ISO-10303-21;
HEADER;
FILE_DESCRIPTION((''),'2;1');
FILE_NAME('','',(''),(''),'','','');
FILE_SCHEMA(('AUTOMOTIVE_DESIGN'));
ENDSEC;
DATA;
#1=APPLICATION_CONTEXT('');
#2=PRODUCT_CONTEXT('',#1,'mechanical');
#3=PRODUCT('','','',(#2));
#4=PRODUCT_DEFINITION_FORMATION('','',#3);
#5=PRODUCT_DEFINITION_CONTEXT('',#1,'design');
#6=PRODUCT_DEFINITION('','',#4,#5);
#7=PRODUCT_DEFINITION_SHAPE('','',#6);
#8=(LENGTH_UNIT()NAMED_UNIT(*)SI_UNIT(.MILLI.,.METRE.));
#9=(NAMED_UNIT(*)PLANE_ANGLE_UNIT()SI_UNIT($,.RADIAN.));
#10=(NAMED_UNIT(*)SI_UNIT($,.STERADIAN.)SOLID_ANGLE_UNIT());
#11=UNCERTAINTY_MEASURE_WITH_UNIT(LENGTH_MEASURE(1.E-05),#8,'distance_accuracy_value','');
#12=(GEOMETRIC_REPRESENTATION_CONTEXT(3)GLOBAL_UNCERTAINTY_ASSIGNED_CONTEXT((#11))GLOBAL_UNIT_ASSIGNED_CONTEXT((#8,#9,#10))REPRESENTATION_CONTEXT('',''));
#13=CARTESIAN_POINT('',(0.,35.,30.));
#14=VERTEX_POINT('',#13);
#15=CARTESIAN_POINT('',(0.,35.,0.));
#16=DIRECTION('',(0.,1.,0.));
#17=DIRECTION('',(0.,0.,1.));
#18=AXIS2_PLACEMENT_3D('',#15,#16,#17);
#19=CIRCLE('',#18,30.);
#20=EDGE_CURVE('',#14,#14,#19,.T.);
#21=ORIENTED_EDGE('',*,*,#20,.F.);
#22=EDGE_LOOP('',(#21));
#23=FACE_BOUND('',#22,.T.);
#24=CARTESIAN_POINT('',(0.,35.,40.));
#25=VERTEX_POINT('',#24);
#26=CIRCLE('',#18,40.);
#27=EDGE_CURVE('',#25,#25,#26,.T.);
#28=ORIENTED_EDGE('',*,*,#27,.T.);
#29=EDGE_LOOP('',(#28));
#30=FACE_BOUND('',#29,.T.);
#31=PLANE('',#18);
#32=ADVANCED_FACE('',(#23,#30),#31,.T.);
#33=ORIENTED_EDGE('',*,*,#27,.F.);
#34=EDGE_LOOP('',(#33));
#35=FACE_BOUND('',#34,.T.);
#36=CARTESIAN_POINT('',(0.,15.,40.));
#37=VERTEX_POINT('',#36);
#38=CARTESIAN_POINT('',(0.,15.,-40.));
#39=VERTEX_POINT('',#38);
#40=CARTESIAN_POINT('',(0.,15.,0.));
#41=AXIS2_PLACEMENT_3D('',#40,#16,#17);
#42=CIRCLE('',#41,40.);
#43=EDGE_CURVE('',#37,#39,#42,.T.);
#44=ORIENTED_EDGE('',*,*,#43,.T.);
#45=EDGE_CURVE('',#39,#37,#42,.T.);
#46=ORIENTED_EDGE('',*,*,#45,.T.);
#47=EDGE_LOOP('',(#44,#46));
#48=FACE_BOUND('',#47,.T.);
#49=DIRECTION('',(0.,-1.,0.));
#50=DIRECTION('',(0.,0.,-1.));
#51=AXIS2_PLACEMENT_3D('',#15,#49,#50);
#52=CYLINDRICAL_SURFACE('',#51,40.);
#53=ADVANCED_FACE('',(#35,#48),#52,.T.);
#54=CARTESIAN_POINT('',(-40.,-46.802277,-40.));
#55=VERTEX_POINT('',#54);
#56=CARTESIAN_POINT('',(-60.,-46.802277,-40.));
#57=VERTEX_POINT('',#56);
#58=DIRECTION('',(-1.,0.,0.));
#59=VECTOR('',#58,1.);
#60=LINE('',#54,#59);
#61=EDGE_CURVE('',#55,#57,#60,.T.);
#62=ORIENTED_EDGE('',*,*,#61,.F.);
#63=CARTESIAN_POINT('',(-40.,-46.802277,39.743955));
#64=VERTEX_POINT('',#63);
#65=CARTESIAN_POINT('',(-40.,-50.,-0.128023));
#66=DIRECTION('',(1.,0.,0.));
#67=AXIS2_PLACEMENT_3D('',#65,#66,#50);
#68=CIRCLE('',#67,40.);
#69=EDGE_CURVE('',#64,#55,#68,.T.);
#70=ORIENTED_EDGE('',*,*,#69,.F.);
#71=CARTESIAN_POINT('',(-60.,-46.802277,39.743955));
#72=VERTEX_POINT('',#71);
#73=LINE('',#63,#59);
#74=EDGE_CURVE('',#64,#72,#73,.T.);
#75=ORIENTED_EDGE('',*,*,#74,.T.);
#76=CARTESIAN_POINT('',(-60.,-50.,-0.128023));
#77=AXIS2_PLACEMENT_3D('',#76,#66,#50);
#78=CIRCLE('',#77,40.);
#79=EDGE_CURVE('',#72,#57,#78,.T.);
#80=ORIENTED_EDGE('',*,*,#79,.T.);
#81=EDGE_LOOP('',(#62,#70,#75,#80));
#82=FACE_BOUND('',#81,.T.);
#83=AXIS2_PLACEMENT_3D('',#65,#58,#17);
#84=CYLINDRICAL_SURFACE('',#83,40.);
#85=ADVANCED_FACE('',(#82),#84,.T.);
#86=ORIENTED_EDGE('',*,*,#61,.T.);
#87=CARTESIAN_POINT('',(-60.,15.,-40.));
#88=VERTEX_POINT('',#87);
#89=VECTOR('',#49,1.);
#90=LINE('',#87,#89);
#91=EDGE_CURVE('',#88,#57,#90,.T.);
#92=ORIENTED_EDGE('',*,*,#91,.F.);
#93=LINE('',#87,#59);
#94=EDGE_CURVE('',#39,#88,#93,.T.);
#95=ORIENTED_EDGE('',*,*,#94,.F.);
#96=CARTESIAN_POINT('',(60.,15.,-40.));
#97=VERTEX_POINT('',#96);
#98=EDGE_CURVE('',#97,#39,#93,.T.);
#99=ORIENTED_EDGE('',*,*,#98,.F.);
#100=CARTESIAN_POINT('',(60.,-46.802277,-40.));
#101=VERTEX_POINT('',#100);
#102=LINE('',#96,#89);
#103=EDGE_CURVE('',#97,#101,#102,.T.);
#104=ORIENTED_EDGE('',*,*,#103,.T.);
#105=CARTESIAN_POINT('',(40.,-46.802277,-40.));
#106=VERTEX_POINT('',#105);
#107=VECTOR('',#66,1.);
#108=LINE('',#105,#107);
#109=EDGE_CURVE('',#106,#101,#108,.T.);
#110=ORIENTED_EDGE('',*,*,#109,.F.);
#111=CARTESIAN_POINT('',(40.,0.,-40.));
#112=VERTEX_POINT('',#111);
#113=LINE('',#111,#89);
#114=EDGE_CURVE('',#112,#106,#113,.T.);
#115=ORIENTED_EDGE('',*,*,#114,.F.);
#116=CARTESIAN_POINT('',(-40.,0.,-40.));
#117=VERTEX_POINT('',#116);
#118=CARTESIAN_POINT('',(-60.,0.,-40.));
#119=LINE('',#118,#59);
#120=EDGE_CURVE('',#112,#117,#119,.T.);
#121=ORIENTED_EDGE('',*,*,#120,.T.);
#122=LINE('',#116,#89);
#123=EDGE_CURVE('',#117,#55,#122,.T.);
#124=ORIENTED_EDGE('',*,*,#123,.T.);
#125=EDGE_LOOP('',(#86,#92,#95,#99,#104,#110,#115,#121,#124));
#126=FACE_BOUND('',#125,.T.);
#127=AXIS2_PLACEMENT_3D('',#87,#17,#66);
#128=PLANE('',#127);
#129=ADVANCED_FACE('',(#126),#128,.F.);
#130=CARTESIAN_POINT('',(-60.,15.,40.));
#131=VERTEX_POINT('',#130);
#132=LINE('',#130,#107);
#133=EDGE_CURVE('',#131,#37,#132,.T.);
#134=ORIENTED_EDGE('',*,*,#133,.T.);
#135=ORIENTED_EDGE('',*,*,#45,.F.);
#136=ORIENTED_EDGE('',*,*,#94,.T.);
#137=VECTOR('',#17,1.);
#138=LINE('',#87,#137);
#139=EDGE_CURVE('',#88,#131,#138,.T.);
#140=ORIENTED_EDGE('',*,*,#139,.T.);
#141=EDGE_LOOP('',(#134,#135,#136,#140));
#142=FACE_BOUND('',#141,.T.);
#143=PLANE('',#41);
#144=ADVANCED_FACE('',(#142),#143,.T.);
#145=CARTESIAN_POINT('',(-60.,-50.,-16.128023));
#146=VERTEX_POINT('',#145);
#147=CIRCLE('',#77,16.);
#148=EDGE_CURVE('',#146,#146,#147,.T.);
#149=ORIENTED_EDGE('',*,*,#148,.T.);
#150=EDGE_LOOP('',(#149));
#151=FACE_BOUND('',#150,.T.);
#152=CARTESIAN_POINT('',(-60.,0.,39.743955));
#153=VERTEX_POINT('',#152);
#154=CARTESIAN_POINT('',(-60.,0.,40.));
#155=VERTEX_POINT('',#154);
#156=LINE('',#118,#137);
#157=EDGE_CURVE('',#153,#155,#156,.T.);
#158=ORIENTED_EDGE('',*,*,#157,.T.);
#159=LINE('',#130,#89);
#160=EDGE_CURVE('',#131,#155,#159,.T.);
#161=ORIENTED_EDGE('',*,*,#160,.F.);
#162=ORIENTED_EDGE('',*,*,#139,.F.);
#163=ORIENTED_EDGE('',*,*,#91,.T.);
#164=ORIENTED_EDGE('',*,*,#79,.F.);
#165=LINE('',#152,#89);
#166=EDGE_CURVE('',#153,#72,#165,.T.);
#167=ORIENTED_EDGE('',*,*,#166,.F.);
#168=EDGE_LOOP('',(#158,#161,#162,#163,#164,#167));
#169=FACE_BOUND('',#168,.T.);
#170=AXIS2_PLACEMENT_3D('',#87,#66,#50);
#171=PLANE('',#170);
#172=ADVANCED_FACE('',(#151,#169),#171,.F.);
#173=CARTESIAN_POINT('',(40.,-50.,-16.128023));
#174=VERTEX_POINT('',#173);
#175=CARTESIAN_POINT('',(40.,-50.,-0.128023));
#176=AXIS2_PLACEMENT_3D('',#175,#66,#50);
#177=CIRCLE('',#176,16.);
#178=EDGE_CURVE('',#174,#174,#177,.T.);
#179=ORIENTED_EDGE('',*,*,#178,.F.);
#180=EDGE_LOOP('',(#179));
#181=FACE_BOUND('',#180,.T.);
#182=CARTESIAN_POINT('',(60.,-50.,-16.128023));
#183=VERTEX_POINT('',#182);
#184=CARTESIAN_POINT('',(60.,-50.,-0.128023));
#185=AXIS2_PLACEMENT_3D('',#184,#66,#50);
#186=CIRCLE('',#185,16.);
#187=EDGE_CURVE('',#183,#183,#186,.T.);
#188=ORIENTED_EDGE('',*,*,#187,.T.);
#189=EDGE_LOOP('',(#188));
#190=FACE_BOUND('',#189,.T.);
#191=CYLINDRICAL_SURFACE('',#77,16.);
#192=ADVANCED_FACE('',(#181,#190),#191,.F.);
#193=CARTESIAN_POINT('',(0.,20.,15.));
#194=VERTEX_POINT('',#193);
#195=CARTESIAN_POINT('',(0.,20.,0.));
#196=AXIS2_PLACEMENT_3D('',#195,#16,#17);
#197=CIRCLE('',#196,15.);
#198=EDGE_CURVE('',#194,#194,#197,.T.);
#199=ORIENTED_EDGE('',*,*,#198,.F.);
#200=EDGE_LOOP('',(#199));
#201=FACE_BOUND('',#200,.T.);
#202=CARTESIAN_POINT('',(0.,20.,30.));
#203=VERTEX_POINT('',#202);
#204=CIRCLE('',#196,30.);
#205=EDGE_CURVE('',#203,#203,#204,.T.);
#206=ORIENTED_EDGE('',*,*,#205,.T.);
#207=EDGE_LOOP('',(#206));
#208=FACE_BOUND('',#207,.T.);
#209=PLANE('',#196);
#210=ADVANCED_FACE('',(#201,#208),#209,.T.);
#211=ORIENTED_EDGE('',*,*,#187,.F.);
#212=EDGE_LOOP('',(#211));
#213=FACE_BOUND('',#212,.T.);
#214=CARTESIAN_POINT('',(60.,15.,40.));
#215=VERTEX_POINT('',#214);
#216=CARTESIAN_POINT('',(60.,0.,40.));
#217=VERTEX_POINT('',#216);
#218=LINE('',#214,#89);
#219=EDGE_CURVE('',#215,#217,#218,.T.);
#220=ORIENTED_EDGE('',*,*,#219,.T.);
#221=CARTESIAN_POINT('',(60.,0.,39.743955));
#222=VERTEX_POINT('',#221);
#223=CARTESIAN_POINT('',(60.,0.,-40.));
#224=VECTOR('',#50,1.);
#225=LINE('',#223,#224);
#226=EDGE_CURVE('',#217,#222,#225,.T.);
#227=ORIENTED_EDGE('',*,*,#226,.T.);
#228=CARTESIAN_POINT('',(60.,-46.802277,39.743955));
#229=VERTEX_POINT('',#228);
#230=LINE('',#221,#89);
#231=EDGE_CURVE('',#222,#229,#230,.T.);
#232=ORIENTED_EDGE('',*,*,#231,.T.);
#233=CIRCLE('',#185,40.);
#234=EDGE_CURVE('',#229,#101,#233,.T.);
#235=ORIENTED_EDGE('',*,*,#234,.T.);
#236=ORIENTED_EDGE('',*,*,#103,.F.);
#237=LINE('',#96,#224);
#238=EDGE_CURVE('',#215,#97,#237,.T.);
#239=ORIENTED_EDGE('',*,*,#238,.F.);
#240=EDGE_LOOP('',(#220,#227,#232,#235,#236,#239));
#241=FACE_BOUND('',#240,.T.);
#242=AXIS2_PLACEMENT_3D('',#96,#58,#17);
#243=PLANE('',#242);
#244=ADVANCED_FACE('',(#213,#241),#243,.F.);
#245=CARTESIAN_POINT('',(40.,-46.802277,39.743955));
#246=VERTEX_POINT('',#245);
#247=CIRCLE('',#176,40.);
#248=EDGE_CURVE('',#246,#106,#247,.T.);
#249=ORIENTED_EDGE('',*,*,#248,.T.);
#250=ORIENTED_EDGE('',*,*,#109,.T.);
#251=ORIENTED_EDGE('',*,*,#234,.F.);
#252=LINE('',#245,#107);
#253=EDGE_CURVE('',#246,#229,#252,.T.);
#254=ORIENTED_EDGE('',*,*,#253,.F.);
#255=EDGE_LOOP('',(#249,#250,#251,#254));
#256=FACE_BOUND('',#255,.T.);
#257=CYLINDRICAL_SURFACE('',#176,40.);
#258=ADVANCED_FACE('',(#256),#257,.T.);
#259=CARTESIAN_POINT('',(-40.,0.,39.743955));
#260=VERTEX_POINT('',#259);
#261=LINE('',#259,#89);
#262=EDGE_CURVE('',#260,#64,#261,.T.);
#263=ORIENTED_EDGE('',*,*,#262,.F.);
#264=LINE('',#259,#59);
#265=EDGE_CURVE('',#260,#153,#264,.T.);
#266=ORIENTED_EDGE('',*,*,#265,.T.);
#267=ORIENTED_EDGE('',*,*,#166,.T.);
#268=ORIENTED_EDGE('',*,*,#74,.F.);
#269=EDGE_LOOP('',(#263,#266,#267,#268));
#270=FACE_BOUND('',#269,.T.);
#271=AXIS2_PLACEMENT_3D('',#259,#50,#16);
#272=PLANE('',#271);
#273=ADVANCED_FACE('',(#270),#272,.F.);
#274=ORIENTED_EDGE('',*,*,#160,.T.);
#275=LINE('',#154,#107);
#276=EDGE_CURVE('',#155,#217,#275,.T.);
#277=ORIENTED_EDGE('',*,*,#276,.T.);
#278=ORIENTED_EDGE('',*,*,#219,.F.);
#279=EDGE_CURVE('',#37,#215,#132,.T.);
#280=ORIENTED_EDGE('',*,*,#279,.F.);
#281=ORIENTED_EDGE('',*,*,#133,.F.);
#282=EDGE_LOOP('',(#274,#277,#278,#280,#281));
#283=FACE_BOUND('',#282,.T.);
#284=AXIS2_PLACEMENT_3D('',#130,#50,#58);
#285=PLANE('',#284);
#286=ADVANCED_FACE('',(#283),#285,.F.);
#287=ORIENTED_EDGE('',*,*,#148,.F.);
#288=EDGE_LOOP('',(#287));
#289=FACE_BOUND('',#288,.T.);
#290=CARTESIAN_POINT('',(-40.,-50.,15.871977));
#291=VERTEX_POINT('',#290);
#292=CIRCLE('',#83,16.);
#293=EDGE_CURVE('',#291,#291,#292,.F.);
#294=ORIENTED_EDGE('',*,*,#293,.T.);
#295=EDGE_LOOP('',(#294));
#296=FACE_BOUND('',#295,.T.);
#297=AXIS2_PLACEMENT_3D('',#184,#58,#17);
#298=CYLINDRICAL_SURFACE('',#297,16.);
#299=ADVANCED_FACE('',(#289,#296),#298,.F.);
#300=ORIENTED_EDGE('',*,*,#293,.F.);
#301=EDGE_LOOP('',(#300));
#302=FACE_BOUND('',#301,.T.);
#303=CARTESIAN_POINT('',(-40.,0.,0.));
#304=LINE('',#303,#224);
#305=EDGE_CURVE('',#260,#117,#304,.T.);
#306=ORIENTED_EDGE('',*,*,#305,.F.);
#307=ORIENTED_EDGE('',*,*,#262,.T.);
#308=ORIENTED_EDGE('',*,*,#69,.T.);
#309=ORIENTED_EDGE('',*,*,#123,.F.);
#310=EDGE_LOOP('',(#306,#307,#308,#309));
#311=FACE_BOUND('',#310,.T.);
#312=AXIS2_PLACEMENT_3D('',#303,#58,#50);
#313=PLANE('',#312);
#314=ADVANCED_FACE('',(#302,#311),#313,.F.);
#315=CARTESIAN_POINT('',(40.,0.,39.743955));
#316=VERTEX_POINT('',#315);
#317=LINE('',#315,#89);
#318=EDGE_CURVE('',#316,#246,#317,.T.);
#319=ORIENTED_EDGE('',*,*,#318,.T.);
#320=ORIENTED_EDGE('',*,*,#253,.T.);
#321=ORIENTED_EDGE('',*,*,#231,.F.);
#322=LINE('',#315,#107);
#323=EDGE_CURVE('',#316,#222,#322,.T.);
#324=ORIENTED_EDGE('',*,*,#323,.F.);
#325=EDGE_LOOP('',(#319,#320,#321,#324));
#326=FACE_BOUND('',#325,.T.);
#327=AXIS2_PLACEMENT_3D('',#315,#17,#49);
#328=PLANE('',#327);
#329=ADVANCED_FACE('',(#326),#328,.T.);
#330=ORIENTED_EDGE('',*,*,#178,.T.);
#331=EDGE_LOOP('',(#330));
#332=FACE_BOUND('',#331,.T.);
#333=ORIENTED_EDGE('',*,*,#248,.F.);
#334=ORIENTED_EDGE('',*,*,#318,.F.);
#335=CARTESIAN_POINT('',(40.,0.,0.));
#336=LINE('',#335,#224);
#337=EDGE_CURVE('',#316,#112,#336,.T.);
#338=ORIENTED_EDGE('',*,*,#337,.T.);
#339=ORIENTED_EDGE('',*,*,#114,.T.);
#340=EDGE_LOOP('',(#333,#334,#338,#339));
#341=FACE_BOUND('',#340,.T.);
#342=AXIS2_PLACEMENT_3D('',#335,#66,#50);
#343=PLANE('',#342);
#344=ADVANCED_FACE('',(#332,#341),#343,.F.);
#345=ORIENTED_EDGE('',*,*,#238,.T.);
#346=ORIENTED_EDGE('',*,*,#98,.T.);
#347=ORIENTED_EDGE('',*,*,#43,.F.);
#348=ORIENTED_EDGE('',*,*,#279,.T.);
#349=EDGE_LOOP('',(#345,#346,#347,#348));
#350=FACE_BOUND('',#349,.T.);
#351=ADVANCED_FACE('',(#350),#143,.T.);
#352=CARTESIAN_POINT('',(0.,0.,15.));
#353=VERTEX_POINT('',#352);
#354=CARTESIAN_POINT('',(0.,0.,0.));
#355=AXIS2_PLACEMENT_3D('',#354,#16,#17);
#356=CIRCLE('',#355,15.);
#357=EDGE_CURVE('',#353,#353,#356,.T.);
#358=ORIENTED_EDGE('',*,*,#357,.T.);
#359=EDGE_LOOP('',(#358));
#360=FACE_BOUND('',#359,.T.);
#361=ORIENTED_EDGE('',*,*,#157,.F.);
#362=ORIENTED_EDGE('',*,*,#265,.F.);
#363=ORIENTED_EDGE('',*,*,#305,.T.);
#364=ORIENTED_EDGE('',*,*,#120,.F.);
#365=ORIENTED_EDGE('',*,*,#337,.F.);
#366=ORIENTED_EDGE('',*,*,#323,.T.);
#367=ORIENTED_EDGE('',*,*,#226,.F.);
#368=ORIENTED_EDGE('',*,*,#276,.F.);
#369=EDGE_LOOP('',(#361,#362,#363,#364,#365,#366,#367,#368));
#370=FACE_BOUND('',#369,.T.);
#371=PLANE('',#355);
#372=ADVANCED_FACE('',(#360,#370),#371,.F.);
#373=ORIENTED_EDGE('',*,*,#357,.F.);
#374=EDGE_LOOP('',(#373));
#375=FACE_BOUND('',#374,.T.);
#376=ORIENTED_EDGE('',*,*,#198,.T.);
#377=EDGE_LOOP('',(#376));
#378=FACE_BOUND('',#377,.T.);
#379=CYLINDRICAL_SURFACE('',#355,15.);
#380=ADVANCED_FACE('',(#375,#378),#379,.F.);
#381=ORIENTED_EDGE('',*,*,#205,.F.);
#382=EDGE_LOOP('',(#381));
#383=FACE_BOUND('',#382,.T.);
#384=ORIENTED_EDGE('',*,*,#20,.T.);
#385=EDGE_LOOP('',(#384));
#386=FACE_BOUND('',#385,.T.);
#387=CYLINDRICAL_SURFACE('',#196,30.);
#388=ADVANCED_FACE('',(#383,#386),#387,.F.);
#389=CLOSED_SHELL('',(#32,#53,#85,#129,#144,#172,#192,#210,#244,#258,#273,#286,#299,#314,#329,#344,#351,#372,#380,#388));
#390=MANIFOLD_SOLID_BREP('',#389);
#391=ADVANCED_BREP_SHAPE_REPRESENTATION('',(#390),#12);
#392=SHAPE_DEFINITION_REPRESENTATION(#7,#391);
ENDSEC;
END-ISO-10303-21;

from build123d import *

# Parameters (mm, degrees)
SKETCH1_W           = 120
SKETCH1_H           = 80
BOSS_EXTRUDE1_DEPTH = 15
SKETCH2_R           = 40
BOSS_EXTRUDE2_DEPTH = 20
SKETCH3_R           = 30
CUT_EXTRUDE1_DEPTH  = 15
SKETCH4_R           = 15
CUT_EXTRUDE2_DEPTH  = 75.833147735
BOSS_EXTRUDE3_DEPTH = 20
SKETCH6_R           = 16
CUT_EXTRUDE3_DEPTH  = 156.274782914


with BuildPart() as part:
    # Sketch1 → Boss-Extrude1 (new body)
    with BuildSketch(Plane(origin=(0, 0, 0), x_dir=(1, 0, 0), z_dir=(0, 1, 0))):
        Rectangle(SKETCH1_W, SKETCH1_H)
    extrude(amount=BOSS_EXTRUDE1_DEPTH)

    # Sketch2 → Boss-Extrude2 (add)
    with BuildSketch(Plane(origin=(0, 15, 0), x_dir=(1, 0, 0), z_dir=(0, 1, 0))):
        with Locations(Location((0, 0, 0), (0, 0, 270))):
            Circle(SKETCH2_R)
    extrude(amount=BOSS_EXTRUDE2_DEPTH)

    # Sketch3 → Cut-Extrude1 (cut)
    with BuildSketch(Plane(origin=(0, 35, 0), x_dir=(1, 0, 0), z_dir=(0, 1, 0))):
        with Locations(Location((0, 0, 0), (0, 0, 270))):
            Circle(SKETCH3_R)
    extrude(amount=-CUT_EXTRUDE1_DEPTH, mode=Mode.SUBTRACT)

    # Sketch4 → Cut-Extrude2 (cut, through all)
    with BuildSketch(Plane(origin=(0, 20, 0), x_dir=(1, 0, 0), z_dir=(0, 1, 0))):
        with Locations(Location((0, 0, 0), (0, 0, 270))):
            Circle(SKETCH4_R)
    extrude(amount=-CUT_EXTRUDE2_DEPTH, mode=Mode.SUBTRACT)

    # Sketch5 → Boss-Extrude3 (add)
    with BuildSketch(Plane(origin=(60, 0, 0), x_dir=(0, 0, -1), z_dir=(1, 0, 0))):
        with BuildLine():
            Line((40, -46.802277462), (40, 0))
            Line((40, 0), (-39.743954519, 0))
            Line((-39.743954519, 0), (-39.743954519, -46.802277462))
            ThreePointArc((-39.743954519, -46.802277462), (0.128022741, -10), (40, -46.802277462))
        make_face()
        with BuildLine():
            ThreePointArc((40.128022741, -50), (40.096004241, -48.399857877), (40, -46.802277462))
            Line((40, -46.802277462), (40, -50))
            Line((40, -50), (-39.743954519, -50))
            Line((-39.743954519, -50), (-39.743954519, -46.802277462))
            ThreePointArc((-39.743954519, -46.802277462), (-1.472119382, -89.9679815), (40.128022741, -50))
        make_face()
        with BuildLine():
            Line((40, -50), (40, -46.802277462))
            ThreePointArc((40, -46.802277462), (0.128022741, -10), (-39.743954519, -46.802277462))
            Line((-39.743954519, -46.802277462), (-39.743954519, -50))
            Line((-39.743954519, -50), (40, -50))
        make_face()
    boss_extrude3 = extrude(amount=-BOSS_EXTRUDE3_DEPTH)

    # Sketch6 → Cut-Extrude3 (cut, through all)
    with BuildSketch(Plane(origin=(60, 0, 0), x_dir=(0, 0, -1), z_dir=(1, 0, 0))):
        with Locations((0.128022741, -50)):
            Circle(SKETCH6_R)
    cut_extrude3 = extrude(amount=-CUT_EXTRUDE3_DEPTH, mode=Mode.SUBTRACT)

    # Mirror2: Boss-Extrude3, Cut-Extrude3 across plane
    add(boss_extrude3.mirror(Plane(origin=(0, 0, 0), x_dir=(0, 0, 1), z_dir=(1, 0, 0))))
    add(cut_extrude3.mirror(Plane(origin=(0, 0, 0), x_dir=(0, 0, 1), z_dir=(1, 0, 0))), mode=Mode.SUBTRACT)


solid = part.part
